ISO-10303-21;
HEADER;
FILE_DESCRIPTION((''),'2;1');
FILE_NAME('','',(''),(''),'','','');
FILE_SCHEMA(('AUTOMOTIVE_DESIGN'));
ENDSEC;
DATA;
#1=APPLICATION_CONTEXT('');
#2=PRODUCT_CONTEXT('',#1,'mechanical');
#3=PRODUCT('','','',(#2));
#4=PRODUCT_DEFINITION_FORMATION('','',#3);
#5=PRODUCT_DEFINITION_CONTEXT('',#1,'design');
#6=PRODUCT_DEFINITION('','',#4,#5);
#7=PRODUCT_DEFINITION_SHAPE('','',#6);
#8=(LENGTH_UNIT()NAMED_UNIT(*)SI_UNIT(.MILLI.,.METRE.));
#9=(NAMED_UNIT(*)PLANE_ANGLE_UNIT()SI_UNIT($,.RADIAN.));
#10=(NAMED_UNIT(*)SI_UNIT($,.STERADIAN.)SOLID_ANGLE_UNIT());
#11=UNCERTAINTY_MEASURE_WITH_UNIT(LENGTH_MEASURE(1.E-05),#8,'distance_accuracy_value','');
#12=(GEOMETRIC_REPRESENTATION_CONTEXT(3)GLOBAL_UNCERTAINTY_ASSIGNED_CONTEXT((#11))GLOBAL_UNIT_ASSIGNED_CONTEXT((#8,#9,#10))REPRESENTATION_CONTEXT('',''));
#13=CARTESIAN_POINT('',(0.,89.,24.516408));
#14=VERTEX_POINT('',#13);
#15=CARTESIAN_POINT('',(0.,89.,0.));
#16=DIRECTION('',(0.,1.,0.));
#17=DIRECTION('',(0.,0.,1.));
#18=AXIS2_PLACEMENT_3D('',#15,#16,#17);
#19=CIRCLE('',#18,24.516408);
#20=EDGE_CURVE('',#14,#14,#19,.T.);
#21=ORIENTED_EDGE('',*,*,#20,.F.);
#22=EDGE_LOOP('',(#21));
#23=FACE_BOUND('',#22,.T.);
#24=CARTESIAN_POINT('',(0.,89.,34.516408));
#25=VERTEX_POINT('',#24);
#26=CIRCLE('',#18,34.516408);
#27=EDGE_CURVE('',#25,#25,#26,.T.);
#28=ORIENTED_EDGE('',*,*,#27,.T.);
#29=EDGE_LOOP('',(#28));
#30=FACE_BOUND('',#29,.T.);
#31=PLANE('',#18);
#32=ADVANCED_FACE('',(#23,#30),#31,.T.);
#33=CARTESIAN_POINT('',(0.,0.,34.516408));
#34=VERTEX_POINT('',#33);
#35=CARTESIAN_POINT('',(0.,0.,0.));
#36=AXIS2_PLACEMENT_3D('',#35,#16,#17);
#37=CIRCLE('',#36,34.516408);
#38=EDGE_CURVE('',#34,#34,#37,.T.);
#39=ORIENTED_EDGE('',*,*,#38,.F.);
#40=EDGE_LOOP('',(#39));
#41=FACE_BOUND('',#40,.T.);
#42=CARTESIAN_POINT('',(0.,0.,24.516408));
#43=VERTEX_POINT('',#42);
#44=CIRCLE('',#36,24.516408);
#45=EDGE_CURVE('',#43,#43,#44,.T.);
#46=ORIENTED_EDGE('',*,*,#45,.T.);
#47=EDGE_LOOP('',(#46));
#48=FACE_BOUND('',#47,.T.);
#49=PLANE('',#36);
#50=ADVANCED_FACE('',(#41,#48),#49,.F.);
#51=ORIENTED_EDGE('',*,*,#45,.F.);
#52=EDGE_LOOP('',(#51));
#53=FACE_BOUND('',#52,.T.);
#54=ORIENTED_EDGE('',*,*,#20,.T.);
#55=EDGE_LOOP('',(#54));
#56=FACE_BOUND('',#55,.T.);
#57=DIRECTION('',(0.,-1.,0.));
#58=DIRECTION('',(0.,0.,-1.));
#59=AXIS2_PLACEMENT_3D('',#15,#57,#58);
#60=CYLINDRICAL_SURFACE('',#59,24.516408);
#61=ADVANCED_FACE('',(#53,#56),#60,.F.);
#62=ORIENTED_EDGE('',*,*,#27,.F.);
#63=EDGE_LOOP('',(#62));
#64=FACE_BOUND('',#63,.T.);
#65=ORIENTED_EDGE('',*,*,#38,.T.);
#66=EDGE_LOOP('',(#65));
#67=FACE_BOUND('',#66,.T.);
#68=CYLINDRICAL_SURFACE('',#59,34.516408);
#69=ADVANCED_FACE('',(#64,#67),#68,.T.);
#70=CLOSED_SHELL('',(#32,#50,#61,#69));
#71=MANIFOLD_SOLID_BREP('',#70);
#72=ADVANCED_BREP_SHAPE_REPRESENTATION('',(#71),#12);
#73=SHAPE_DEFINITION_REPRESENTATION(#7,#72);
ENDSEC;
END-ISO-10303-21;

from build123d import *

# Parameters (mm, degrees)
SKETCH1_R           = 34.516408167
SKETCH1_R_2         = 24.516408167
BOSS_EXTRUDE2_DEPTH = 89


with BuildPart() as part:
    # Sketch1 → Boss-Extrude2 (new body)
    with BuildSketch(Plane(origin=(0, 0, 0), x_dir=(1, 0, 0), z_dir=(0, 1, 0))):
        Circle(SKETCH1_R)
        Circle(SKETCH1_R_2, mode=Mode.SUBTRACT)
    extrude(amount=BOSS_EXTRUDE2_DEPTH)


solid = part.part
